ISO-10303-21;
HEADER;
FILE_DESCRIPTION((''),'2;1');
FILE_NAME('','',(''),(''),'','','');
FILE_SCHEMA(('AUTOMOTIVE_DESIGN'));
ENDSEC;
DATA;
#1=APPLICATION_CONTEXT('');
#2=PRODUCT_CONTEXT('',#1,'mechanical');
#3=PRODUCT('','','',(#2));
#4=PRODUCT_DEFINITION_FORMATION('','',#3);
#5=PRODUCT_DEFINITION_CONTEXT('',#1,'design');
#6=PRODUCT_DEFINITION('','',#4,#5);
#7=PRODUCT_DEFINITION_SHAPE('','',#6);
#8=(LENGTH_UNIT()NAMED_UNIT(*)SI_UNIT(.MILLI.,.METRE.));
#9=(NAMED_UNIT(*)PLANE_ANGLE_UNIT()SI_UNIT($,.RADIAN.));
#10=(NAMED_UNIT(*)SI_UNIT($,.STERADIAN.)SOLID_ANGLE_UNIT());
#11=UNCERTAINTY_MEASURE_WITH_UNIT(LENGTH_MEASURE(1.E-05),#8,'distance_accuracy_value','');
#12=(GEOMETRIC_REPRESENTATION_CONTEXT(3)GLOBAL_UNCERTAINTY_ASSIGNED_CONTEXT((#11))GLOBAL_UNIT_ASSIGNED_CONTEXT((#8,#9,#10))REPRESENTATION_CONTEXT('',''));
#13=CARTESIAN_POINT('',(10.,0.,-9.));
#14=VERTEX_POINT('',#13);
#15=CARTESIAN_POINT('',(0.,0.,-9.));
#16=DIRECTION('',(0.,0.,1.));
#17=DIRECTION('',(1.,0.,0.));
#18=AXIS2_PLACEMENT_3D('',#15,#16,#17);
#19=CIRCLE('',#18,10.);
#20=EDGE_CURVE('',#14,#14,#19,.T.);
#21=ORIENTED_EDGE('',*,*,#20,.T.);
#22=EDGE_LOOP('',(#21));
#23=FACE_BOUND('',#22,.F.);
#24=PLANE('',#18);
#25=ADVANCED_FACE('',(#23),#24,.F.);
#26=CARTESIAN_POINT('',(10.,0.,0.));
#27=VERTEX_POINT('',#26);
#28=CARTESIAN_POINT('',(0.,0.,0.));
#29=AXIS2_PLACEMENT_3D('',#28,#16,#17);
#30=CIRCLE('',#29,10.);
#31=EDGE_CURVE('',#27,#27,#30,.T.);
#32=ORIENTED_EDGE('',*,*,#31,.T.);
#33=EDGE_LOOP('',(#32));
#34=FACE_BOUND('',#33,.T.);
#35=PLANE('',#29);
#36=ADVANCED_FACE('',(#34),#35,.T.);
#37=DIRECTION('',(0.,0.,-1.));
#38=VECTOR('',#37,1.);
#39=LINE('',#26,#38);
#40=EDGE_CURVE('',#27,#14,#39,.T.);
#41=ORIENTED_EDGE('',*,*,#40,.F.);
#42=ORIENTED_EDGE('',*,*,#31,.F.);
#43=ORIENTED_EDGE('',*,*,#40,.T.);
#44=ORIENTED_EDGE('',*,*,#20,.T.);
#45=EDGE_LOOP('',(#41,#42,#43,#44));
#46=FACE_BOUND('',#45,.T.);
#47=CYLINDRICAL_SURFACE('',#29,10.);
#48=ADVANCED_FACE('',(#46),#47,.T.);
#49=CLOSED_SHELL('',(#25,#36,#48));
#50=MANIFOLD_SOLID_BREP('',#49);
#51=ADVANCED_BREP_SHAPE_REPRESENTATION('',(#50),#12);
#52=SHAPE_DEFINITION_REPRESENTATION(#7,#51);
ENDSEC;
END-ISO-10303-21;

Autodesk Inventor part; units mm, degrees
ref_plane "YZ Plane" through (0, 0, 0) normal (1, 0, 0) x (0, 1, 0)
ref_plane "XZ Plane" through (0, 0, 0) normal (0, 1, 0) x (-1, 0, 0)
ref_plane "XY Plane" through (0, 0, 0) normal (0, 0, 1) x (1, 0, 0)
sketch "Sketch1" plane through (0, 0, 0) normal (0, 0, 1) x (1, 0, 0)
  circle A0 centre (0, 0) radius 10 projected
  circle A1 centre (0, 0) radius 10
extrude "Extrusion1" add sketch "Sketch1" against normal blind 9
properties part number "annoyingGear"
